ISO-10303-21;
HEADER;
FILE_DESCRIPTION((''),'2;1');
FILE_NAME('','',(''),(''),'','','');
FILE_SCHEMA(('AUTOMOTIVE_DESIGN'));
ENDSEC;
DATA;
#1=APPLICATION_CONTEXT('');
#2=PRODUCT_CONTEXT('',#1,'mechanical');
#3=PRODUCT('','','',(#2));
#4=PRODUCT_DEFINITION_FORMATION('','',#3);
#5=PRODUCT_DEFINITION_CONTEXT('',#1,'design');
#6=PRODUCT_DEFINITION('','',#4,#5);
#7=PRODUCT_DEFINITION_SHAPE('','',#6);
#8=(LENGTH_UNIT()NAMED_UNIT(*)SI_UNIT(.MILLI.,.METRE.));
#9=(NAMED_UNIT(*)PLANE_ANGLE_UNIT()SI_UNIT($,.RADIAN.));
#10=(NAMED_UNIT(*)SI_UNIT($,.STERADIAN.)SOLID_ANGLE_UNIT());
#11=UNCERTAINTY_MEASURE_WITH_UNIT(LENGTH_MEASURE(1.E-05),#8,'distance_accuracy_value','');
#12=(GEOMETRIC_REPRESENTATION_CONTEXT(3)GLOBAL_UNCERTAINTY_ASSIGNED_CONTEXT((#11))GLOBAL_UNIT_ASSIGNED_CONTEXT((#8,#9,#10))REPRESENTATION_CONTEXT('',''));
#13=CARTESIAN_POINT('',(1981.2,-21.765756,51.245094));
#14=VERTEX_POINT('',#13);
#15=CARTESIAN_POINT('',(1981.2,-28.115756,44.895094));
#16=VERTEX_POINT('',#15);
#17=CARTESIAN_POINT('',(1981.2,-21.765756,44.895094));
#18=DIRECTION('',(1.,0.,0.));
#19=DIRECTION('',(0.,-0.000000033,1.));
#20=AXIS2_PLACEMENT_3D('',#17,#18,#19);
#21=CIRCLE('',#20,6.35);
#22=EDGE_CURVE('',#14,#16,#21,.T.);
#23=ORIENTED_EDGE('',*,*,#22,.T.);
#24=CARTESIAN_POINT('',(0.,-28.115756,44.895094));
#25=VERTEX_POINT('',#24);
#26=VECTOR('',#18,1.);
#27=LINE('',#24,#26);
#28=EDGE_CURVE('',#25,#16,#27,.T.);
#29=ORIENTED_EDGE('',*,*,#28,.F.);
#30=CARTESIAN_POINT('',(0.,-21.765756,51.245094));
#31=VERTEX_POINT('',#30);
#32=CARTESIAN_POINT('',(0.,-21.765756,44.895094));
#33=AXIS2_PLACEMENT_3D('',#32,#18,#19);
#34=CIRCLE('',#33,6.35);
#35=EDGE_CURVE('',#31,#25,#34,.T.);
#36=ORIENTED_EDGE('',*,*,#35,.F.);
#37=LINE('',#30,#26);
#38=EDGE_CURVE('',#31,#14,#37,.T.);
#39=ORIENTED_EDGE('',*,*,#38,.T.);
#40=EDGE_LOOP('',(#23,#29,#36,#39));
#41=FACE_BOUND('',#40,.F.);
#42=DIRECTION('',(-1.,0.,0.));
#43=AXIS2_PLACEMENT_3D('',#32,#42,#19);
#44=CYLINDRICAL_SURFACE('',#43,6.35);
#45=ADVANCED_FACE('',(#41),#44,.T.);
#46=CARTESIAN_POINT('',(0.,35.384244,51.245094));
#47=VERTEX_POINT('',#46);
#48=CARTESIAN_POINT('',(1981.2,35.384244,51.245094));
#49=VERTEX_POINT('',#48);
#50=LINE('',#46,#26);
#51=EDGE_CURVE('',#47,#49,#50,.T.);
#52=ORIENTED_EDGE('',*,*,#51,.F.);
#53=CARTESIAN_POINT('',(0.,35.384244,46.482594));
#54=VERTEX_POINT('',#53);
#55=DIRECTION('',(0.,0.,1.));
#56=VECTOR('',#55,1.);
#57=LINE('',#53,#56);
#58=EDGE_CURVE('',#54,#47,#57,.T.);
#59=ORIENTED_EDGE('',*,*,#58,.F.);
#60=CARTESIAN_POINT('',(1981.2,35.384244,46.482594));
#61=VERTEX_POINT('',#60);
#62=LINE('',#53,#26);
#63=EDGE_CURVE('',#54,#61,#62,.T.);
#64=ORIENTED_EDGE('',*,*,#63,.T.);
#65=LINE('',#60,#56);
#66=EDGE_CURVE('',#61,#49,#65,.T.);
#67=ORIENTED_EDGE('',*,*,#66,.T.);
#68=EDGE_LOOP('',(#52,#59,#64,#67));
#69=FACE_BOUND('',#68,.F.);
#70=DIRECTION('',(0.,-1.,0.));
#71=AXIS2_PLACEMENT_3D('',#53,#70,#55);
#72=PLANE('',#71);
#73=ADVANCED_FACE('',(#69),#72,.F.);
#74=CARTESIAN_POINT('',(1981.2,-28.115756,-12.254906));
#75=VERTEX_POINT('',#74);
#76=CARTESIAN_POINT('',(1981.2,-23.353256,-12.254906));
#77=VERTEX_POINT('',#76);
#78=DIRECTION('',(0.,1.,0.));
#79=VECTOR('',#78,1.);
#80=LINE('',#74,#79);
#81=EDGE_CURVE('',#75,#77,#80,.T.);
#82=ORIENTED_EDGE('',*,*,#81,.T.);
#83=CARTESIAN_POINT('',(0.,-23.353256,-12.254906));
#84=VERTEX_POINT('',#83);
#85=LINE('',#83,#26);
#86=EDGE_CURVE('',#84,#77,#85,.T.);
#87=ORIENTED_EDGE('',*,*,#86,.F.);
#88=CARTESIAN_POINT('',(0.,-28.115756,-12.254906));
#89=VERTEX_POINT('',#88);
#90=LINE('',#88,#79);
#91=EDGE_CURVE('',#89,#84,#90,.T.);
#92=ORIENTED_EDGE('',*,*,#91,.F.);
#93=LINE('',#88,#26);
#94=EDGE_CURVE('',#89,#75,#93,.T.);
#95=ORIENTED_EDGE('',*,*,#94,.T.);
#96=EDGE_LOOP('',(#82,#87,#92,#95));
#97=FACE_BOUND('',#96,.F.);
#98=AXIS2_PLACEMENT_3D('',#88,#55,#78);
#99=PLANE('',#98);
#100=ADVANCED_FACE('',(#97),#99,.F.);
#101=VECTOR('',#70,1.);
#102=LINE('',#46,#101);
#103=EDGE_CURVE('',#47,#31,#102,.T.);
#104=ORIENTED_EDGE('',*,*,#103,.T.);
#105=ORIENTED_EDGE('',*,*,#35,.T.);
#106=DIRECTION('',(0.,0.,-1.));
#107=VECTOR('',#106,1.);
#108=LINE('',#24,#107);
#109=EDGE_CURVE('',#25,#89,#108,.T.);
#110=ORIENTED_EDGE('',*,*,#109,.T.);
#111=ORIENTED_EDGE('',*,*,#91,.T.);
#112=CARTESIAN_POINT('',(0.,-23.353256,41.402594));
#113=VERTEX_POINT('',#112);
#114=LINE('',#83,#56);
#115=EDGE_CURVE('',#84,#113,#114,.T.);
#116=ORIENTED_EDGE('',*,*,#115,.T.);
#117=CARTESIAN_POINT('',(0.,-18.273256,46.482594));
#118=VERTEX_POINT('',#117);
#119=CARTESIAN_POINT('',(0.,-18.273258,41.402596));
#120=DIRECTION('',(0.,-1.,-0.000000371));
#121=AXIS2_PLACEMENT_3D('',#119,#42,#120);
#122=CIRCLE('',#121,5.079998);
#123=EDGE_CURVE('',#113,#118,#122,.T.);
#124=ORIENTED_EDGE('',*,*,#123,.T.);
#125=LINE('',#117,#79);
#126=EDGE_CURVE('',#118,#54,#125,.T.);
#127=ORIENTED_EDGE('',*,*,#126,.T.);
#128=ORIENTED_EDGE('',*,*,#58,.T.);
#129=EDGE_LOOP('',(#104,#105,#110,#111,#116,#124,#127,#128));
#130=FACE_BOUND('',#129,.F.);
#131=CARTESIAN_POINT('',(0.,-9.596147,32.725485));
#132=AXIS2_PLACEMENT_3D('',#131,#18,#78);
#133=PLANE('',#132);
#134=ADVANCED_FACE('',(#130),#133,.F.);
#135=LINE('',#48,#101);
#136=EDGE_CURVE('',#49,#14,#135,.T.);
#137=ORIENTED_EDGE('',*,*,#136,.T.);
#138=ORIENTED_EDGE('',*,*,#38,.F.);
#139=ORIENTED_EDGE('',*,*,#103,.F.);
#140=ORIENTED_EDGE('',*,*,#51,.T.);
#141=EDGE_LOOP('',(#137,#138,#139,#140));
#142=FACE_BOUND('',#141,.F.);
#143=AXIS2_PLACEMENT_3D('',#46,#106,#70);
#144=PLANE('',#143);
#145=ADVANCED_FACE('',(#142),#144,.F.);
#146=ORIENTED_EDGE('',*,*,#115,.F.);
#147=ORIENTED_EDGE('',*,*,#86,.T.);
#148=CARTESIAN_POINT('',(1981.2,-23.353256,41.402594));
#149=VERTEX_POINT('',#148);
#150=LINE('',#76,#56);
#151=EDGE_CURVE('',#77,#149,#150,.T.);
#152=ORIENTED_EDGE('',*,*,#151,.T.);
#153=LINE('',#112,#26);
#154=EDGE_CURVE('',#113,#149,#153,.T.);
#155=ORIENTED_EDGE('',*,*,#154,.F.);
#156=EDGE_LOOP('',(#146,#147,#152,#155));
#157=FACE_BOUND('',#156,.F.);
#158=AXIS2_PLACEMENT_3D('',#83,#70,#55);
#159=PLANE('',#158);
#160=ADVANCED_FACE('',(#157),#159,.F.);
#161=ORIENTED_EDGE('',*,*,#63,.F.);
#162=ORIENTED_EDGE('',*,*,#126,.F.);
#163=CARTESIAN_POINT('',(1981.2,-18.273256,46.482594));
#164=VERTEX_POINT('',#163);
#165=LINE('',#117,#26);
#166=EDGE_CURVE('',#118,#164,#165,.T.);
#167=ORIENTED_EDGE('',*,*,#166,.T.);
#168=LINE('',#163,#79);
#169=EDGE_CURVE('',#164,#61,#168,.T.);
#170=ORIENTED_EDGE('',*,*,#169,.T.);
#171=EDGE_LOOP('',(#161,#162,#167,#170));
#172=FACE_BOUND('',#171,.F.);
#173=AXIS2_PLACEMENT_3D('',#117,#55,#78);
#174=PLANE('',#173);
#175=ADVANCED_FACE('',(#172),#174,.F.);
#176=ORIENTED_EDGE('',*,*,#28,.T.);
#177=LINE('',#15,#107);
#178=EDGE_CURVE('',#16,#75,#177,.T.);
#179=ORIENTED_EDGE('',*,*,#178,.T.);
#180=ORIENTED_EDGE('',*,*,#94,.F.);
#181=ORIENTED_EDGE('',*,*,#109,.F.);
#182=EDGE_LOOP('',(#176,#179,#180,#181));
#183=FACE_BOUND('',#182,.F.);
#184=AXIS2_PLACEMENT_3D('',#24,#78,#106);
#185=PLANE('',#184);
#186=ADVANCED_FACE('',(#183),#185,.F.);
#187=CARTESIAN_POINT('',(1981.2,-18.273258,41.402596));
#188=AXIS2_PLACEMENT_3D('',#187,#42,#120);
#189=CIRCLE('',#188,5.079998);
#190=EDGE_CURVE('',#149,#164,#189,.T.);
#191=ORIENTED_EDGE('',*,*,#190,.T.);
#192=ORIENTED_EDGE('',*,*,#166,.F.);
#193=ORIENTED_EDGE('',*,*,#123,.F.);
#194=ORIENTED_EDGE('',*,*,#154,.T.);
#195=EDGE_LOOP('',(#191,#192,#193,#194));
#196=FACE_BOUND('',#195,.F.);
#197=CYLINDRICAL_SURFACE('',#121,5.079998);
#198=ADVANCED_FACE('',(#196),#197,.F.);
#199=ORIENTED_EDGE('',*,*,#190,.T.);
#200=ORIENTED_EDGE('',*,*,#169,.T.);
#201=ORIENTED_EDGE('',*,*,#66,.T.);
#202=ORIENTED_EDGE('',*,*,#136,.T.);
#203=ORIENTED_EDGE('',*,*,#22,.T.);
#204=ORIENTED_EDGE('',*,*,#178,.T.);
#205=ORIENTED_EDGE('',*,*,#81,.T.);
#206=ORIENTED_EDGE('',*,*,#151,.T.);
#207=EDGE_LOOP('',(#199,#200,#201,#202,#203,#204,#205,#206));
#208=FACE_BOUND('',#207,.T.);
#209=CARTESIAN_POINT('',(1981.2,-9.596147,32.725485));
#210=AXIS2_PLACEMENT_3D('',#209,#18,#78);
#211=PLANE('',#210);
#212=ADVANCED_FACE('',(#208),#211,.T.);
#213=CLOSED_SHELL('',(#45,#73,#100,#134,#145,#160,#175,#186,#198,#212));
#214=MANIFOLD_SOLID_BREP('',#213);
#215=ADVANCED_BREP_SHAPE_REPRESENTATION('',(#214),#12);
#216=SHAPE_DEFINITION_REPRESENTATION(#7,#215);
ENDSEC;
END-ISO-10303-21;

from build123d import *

# Parameters (mm, degrees)
F1_DEPTH = 1981.2


with BuildPart() as f1:
    # F0 (on Right) → F1 (new body)
    with BuildSketch(Plane.YZ):
        with BuildLine():
            Line((-28.115756, 44.895094), (-28.115756, -12.254906))
            Line((-28.115756, -12.254906), (-23.353256, -12.254906))
            Line((-23.353256, -12.254906), (-23.353256, 41.402594))
            ThreePointArc((-23.353256, 41.402594), (-21.865359, 44.994697), (-18.273256, 46.482594))
            Line((-18.273256, 46.482594), (35.384244, 46.482594))
            Line((35.384244, 46.482594), (35.384244, 51.245094))
            Line((35.384244, 51.245094), (-21.765756, 51.245094))
            ThreePointArc((-21.765756, 51.245094), (-26.255884, 49.385222), (-28.115756, 44.895094))
        make_face()
    extrude(amount=F1_DEPTH)


solid = f1.part
